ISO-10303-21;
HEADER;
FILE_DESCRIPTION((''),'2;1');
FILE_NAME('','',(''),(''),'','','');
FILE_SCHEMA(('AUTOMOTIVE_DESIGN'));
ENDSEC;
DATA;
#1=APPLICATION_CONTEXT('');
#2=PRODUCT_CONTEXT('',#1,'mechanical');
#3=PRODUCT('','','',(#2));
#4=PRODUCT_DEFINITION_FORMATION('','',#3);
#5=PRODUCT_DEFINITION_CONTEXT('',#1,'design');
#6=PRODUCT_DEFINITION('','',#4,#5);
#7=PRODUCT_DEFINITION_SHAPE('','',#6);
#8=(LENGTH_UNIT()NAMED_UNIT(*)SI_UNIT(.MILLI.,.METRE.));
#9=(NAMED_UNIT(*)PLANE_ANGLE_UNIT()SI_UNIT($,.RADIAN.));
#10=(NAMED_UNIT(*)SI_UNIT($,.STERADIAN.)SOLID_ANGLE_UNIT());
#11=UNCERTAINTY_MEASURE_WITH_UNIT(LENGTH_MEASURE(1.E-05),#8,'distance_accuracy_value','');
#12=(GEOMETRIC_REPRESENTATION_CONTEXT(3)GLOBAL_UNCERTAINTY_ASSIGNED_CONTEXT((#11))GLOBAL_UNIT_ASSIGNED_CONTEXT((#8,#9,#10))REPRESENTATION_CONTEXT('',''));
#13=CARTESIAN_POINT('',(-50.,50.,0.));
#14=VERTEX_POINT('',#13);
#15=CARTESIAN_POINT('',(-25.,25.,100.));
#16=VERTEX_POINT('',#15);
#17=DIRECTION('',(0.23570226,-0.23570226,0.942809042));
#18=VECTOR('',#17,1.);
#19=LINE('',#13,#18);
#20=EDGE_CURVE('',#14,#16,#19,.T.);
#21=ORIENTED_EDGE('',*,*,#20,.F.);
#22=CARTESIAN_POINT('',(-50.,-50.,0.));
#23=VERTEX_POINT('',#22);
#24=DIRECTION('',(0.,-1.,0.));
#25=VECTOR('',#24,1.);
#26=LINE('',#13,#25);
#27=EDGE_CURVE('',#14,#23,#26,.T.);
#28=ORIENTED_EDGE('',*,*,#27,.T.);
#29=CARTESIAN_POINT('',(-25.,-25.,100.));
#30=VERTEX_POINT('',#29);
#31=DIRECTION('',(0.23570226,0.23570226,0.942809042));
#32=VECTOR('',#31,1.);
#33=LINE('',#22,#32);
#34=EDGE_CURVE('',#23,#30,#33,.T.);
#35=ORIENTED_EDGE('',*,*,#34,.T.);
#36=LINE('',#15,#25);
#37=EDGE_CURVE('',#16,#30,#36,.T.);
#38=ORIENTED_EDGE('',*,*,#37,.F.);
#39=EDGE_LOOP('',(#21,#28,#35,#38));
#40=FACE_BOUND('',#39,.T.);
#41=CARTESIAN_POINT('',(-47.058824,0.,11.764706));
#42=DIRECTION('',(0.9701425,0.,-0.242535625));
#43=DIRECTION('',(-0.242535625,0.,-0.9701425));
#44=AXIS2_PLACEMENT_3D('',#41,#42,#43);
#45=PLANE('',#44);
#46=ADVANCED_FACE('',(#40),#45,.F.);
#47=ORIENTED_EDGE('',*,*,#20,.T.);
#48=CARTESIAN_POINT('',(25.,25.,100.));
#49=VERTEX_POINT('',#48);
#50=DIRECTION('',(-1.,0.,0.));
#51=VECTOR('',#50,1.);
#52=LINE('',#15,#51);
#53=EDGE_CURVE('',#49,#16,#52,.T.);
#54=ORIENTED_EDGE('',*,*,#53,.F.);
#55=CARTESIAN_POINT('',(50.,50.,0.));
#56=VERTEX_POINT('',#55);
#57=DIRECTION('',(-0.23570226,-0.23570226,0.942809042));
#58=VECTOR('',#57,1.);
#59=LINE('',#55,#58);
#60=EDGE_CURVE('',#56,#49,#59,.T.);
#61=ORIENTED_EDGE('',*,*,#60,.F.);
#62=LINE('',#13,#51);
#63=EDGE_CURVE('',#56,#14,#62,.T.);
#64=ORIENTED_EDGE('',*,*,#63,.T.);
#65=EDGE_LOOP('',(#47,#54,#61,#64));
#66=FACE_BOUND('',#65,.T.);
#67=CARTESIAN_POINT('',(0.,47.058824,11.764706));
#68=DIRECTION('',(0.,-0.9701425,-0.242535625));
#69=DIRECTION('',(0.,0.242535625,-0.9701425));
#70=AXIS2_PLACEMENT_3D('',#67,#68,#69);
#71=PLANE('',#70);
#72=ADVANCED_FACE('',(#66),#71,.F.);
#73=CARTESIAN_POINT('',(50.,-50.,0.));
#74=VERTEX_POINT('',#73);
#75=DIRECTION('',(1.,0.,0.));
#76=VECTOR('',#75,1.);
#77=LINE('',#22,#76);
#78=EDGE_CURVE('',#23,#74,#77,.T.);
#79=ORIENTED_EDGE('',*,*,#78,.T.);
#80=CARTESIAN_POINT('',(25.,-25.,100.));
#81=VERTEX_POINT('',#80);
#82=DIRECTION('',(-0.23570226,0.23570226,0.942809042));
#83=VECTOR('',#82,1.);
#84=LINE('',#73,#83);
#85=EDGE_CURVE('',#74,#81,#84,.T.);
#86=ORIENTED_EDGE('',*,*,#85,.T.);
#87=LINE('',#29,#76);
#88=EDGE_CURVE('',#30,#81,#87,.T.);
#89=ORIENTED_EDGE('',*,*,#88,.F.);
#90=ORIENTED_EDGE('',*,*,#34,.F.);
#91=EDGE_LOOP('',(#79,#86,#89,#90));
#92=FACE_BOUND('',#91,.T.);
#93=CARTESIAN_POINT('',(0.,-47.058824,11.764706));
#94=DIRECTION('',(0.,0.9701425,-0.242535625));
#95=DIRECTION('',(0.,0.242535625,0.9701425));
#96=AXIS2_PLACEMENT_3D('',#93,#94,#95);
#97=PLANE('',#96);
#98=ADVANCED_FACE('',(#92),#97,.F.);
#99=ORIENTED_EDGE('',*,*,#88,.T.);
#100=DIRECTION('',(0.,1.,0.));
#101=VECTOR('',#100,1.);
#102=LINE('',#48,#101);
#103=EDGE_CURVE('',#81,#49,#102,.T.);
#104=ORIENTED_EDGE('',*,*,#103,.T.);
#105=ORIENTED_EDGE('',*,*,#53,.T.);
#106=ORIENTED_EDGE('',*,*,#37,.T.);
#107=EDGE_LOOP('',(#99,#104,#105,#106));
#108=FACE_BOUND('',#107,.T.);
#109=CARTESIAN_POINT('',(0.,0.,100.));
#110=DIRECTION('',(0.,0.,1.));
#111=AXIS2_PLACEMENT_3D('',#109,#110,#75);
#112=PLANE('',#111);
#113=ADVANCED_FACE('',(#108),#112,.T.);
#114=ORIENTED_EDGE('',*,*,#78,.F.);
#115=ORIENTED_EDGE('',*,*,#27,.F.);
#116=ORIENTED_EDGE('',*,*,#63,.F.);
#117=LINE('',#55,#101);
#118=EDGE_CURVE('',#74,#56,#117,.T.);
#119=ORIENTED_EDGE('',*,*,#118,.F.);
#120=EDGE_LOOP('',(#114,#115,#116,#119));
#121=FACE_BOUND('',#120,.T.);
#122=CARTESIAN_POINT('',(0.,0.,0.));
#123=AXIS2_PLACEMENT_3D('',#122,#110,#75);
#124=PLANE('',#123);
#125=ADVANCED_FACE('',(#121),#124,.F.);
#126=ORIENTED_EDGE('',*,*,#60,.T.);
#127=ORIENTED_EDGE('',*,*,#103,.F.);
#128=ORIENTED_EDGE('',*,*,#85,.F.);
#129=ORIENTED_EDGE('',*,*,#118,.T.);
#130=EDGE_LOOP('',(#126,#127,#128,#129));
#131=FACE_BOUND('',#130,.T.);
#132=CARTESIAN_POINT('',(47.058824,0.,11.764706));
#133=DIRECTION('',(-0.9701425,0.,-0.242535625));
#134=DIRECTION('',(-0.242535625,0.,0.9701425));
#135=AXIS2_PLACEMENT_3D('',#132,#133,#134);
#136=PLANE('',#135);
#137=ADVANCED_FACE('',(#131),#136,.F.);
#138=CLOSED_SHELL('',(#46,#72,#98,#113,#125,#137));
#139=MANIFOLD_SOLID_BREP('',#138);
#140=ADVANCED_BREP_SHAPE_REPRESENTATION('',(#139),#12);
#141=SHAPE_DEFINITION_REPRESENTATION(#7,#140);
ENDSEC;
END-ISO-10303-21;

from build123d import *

# Parameters (mm, degrees)
SKETCH1_W = 100
SKETCH1_H = 100
SKETCH2_W = 50
SKETCH2_H = 50


with BuildPart() as part:
    # Sketch1 → Loft1 section 0
    with BuildSketch(Plane.XY):
        Rectangle(SKETCH1_W, SKETCH1_H)
    # Sketch2 → Loft1 section 1
    with BuildSketch(Plane.XY.offset(100)):
        Rectangle(SKETCH2_W, SKETCH2_H)
    loft()


solid = part.part
